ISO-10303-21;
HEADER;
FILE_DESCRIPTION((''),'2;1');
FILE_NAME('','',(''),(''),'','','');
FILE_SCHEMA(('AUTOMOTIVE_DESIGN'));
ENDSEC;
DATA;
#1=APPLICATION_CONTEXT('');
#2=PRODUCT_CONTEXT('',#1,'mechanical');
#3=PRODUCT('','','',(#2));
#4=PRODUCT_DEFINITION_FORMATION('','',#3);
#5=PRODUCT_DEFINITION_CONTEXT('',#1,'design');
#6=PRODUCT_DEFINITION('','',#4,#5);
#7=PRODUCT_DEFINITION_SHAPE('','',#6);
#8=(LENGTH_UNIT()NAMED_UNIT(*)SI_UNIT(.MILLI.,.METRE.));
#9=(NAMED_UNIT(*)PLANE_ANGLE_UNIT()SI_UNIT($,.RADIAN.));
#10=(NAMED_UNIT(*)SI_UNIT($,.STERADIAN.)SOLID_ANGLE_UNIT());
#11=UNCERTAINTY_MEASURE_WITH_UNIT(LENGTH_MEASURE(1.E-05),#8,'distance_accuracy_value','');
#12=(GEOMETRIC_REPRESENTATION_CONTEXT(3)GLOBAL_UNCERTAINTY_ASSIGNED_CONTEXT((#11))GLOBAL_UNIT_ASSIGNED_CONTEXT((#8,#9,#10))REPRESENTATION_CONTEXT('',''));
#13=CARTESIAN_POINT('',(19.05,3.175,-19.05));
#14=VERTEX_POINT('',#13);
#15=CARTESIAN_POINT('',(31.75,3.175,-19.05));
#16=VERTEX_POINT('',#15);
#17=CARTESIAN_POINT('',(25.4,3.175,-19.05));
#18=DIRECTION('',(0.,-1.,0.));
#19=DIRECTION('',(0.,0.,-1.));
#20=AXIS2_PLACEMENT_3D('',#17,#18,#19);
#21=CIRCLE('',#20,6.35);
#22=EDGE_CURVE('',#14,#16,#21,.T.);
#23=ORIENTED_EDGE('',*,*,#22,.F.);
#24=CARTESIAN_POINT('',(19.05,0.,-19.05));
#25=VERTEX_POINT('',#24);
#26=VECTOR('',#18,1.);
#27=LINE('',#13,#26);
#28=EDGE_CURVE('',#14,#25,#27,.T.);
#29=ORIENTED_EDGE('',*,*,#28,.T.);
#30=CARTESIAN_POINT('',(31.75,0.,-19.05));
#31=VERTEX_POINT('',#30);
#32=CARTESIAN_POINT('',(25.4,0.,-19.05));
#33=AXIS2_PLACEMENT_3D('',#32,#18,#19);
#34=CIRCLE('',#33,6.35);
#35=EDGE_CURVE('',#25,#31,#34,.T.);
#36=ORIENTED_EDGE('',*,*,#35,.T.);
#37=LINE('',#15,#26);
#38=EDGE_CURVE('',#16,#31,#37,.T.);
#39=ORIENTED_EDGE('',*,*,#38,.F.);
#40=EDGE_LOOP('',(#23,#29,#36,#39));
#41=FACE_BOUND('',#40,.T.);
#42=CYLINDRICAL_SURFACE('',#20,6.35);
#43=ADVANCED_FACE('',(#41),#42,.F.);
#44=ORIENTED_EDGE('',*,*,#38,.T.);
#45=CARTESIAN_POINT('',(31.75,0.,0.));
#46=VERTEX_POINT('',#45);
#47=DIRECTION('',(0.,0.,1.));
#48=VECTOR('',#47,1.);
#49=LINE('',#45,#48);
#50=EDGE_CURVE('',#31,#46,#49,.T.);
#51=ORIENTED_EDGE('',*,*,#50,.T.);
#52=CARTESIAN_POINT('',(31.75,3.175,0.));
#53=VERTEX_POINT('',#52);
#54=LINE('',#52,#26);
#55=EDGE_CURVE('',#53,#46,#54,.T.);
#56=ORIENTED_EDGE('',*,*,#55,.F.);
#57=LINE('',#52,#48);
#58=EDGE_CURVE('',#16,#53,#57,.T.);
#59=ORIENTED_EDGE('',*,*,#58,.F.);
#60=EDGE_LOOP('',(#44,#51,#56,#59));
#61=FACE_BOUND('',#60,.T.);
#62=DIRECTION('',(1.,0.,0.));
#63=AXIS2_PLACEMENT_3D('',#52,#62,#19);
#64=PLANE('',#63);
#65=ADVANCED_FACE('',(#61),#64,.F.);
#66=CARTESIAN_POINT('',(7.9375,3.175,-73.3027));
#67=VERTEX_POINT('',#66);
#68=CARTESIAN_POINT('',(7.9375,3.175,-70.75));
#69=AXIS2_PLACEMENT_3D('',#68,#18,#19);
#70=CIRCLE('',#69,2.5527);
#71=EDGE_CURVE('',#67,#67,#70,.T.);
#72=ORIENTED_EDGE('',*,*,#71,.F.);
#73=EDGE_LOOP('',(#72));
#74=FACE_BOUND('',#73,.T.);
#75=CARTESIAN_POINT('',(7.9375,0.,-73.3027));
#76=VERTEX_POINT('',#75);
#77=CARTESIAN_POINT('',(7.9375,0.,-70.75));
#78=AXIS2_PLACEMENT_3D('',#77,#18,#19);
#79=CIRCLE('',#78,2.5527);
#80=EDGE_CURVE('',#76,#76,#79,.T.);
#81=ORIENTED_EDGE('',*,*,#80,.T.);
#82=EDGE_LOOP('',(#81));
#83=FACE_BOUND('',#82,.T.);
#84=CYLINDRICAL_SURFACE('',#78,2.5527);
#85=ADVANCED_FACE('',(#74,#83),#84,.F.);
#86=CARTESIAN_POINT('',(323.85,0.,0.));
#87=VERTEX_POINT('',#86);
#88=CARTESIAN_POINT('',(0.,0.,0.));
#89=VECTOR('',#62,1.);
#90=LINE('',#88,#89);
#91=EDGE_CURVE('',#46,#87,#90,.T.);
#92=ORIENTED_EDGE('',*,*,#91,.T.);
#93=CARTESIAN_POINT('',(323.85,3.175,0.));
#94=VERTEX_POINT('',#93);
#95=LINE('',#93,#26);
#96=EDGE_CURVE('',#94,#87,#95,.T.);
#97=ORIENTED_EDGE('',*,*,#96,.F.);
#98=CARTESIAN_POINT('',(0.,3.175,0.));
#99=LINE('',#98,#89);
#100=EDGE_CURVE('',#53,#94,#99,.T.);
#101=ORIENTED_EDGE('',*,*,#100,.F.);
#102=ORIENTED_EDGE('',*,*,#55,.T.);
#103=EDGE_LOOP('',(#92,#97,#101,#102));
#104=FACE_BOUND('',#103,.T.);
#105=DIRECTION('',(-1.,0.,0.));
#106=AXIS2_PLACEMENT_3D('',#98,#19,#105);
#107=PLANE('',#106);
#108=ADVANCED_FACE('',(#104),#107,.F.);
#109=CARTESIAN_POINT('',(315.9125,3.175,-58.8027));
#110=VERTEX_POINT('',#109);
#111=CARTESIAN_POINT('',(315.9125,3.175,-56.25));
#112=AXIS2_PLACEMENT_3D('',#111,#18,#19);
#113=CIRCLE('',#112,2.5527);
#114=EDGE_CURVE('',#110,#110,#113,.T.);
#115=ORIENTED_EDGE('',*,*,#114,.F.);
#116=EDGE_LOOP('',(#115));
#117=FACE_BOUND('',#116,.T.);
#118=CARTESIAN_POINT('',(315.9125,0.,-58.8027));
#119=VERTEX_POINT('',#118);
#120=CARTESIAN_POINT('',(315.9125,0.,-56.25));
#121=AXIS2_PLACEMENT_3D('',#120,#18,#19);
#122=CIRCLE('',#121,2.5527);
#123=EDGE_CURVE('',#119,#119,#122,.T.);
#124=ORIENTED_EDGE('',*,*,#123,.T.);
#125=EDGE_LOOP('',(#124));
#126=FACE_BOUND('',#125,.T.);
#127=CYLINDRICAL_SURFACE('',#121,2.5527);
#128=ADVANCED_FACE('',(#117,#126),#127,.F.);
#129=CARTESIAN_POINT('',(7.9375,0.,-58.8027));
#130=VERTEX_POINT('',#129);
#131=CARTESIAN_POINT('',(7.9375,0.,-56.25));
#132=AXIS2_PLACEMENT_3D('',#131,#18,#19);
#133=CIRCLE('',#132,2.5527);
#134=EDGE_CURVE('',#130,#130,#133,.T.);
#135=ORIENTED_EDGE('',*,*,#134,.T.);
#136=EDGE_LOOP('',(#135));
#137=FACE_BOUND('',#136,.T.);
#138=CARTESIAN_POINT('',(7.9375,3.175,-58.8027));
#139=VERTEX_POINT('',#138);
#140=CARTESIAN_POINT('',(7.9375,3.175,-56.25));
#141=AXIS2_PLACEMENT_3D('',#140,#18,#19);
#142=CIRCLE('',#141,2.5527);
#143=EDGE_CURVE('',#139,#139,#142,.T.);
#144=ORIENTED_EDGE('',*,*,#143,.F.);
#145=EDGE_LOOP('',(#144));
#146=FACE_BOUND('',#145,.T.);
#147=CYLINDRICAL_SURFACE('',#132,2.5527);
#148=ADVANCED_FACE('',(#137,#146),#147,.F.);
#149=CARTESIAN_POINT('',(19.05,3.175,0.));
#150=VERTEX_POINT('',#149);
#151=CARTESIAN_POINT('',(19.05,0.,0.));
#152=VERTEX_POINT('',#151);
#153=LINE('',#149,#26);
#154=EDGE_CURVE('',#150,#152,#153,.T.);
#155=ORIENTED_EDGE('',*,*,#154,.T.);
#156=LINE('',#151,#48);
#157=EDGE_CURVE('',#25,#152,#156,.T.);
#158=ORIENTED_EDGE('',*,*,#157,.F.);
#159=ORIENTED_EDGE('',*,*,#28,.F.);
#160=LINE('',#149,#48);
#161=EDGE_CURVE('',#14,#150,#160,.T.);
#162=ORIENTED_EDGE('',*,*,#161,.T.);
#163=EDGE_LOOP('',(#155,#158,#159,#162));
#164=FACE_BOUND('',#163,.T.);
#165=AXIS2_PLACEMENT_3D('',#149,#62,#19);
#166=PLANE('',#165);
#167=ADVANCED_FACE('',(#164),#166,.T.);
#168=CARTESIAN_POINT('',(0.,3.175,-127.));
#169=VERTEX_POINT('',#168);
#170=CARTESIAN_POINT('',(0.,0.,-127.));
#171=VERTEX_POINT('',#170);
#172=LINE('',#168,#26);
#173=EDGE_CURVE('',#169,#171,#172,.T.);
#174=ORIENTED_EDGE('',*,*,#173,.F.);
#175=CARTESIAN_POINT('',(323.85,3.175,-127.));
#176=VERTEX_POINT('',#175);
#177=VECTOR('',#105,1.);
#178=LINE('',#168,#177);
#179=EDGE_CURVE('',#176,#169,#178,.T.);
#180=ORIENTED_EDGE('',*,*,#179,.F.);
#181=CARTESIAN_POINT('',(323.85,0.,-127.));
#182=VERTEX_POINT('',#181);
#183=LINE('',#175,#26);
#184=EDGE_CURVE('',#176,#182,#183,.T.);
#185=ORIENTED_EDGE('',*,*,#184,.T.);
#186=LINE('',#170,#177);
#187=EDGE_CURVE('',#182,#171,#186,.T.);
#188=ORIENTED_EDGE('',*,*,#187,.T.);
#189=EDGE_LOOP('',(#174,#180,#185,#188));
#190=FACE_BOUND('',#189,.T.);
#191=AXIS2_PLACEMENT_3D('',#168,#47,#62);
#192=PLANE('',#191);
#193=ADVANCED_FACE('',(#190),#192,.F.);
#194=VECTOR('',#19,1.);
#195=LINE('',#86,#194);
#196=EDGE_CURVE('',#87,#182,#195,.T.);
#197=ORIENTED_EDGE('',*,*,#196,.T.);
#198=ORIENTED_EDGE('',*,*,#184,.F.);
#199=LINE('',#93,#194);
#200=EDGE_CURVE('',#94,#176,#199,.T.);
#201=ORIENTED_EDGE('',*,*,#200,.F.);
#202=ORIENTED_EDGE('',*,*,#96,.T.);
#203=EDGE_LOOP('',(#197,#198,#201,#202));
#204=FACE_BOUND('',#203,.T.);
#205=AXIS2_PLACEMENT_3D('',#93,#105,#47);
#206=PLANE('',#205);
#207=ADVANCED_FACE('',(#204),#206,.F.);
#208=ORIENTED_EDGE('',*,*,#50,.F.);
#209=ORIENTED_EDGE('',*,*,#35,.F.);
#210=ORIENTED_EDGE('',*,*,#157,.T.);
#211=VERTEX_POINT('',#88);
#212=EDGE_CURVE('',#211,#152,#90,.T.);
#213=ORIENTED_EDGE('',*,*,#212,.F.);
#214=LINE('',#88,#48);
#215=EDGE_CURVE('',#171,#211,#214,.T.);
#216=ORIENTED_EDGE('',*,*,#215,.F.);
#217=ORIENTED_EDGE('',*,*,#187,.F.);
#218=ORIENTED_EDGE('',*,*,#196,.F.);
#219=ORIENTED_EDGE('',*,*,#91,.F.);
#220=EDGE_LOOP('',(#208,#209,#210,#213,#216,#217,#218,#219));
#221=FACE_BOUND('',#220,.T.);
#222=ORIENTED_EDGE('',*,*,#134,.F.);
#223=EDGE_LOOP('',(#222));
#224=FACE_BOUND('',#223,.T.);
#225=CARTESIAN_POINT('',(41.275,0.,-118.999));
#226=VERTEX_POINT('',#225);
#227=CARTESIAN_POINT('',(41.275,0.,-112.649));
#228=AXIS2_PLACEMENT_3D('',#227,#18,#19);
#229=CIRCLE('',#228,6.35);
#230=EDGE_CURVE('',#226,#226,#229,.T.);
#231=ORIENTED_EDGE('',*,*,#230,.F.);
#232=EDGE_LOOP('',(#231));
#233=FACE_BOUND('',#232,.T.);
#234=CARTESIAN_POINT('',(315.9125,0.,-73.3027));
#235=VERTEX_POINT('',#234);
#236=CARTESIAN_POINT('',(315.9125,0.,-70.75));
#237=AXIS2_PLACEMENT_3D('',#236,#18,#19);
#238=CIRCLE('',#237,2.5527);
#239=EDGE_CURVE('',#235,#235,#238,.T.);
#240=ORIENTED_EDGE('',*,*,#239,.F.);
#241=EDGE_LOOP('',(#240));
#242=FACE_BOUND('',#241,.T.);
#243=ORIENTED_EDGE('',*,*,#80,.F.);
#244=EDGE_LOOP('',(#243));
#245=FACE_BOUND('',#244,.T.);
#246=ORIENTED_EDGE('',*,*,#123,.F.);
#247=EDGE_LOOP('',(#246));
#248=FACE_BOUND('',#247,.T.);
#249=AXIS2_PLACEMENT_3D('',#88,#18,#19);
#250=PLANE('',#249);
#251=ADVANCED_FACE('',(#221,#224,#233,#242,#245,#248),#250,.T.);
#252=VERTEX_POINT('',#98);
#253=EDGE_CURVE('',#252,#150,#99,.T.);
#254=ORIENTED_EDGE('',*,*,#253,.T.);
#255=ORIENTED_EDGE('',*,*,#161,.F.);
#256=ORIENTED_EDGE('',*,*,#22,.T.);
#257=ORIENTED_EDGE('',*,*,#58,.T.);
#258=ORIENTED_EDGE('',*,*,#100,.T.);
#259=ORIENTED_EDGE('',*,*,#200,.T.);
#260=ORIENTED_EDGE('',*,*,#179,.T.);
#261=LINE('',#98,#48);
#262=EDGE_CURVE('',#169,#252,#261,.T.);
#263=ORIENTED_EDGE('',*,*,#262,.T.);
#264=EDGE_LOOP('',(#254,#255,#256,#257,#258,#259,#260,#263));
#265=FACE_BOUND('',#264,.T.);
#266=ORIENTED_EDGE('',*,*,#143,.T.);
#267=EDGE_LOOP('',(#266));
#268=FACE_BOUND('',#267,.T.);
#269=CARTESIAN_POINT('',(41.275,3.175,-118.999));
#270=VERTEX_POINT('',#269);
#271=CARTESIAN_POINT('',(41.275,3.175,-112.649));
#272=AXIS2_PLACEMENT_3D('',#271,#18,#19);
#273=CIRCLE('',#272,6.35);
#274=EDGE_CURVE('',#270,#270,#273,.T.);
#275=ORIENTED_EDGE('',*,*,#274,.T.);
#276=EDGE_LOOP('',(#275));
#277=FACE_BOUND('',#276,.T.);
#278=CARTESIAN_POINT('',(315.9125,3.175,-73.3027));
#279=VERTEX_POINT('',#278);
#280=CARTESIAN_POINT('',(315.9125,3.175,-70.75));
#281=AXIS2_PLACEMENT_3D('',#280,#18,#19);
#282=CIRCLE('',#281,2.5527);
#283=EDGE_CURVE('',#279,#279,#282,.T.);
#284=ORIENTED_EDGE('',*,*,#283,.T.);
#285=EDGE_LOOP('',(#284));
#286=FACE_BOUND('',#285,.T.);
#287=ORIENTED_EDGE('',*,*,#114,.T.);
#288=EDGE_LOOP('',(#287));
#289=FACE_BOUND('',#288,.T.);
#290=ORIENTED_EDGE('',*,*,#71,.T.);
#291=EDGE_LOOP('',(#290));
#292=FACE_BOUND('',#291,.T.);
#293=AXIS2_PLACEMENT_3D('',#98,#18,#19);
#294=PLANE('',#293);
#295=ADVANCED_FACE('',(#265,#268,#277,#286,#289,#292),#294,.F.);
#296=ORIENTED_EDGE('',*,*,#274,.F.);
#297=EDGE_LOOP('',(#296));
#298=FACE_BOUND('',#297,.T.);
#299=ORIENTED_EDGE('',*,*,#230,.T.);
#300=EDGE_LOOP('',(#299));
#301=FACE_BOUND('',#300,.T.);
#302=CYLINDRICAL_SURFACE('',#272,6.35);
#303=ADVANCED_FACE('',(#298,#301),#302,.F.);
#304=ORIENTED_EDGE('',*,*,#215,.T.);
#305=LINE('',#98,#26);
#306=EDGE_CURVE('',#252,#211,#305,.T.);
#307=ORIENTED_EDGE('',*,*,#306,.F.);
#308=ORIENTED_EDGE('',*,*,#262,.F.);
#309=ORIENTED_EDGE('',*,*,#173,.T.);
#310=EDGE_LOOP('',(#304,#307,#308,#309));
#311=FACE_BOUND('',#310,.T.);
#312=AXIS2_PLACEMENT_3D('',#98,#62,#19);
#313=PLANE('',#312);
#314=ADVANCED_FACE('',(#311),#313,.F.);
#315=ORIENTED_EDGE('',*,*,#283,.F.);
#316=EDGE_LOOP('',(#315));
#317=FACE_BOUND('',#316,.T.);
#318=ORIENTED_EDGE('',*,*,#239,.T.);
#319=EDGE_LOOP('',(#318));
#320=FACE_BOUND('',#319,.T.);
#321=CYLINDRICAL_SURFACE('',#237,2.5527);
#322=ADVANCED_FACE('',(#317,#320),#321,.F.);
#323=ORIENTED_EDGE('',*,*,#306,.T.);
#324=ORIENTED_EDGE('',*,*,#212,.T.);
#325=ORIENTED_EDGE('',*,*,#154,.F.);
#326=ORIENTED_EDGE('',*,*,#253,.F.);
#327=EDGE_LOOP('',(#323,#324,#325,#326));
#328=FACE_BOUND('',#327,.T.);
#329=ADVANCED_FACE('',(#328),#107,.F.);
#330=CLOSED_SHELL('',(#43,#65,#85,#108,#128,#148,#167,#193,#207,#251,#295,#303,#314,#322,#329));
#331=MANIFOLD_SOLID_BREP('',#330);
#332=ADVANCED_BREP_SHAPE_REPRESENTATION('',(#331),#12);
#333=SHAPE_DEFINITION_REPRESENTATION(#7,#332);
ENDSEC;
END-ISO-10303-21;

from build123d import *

# Parameters (mm, degrees)
SKETCH1_W                  = 323.85
SKETCH1_H                  = 127
BOSS_EXTRUDE1_DEPTH        = 3.175
SKETCH2_R                  = 6.35
SKETCH2_W                  = 12.7
SKETCH2_H                  = 19.05
CUT_EXTRUDE1_DEPTH         = 4.175
F_10_CLEARANCE_HOLE1_D     = 5.1054
F_10_CLEARANCE_HOLE1_DEPTH = 12.7
F_10_CLEARANCE_HOLE1_TIP   = 1.533816902


with BuildPart() as part:
    # Sketch1 → Boss-Extrude1 (new body)
    with BuildSketch(Plane(origin=(0, 0, 0), x_dir=(1, 0, 0), z_dir=(0, 1, 0))):
        with Locations((161.925, 63.5)):
            Rectangle(SKETCH1_W, SKETCH1_H)
    extrude(amount=BOSS_EXTRUDE1_DEPTH)

    # Sketch2 → Cut-Extrude1 (cut, through all)
    with BuildSketch(Plane(origin=(0, 0, 0), x_dir=(-1, 0, 0), z_dir=(0, -1, 0))):
        with Locations((-41.275, 112.649)):
            Circle(SKETCH2_R)
        with Locations((-25.4, 19.05)):
            Circle(SKETCH2_R)
        with Locations((-25.4, 9.525)):
            Rectangle(SKETCH2_W, SKETCH2_H)
    extrude(amount=-CUT_EXTRUDE1_DEPTH, mode=Mode.SUBTRACT)

    # #10 Clearance Hole1
    with Locations(Plane(origin=(0, 0, 0), x_dir=(-1, 0, 0), z_dir=(0, -1, 0))):
        with Locations((-315.9125, 70.75), (-315.9125, 56.25), (-7.9375, 70.75), (-7.9375, 56.25)):
            Hole(F_10_CLEARANCE_HOLE1_D / 2, depth=F_10_CLEARANCE_HOLE1_DEPTH)
            with Locations((0, 0, -(F_10_CLEARANCE_HOLE1_DEPTH + F_10_CLEARANCE_HOLE1_TIP / 2))):  # 118° drill point
                Cone(0, F_10_CLEARANCE_HOLE1_D / 2, F_10_CLEARANCE_HOLE1_TIP, mode=Mode.SUBTRACT)


solid = part.part
